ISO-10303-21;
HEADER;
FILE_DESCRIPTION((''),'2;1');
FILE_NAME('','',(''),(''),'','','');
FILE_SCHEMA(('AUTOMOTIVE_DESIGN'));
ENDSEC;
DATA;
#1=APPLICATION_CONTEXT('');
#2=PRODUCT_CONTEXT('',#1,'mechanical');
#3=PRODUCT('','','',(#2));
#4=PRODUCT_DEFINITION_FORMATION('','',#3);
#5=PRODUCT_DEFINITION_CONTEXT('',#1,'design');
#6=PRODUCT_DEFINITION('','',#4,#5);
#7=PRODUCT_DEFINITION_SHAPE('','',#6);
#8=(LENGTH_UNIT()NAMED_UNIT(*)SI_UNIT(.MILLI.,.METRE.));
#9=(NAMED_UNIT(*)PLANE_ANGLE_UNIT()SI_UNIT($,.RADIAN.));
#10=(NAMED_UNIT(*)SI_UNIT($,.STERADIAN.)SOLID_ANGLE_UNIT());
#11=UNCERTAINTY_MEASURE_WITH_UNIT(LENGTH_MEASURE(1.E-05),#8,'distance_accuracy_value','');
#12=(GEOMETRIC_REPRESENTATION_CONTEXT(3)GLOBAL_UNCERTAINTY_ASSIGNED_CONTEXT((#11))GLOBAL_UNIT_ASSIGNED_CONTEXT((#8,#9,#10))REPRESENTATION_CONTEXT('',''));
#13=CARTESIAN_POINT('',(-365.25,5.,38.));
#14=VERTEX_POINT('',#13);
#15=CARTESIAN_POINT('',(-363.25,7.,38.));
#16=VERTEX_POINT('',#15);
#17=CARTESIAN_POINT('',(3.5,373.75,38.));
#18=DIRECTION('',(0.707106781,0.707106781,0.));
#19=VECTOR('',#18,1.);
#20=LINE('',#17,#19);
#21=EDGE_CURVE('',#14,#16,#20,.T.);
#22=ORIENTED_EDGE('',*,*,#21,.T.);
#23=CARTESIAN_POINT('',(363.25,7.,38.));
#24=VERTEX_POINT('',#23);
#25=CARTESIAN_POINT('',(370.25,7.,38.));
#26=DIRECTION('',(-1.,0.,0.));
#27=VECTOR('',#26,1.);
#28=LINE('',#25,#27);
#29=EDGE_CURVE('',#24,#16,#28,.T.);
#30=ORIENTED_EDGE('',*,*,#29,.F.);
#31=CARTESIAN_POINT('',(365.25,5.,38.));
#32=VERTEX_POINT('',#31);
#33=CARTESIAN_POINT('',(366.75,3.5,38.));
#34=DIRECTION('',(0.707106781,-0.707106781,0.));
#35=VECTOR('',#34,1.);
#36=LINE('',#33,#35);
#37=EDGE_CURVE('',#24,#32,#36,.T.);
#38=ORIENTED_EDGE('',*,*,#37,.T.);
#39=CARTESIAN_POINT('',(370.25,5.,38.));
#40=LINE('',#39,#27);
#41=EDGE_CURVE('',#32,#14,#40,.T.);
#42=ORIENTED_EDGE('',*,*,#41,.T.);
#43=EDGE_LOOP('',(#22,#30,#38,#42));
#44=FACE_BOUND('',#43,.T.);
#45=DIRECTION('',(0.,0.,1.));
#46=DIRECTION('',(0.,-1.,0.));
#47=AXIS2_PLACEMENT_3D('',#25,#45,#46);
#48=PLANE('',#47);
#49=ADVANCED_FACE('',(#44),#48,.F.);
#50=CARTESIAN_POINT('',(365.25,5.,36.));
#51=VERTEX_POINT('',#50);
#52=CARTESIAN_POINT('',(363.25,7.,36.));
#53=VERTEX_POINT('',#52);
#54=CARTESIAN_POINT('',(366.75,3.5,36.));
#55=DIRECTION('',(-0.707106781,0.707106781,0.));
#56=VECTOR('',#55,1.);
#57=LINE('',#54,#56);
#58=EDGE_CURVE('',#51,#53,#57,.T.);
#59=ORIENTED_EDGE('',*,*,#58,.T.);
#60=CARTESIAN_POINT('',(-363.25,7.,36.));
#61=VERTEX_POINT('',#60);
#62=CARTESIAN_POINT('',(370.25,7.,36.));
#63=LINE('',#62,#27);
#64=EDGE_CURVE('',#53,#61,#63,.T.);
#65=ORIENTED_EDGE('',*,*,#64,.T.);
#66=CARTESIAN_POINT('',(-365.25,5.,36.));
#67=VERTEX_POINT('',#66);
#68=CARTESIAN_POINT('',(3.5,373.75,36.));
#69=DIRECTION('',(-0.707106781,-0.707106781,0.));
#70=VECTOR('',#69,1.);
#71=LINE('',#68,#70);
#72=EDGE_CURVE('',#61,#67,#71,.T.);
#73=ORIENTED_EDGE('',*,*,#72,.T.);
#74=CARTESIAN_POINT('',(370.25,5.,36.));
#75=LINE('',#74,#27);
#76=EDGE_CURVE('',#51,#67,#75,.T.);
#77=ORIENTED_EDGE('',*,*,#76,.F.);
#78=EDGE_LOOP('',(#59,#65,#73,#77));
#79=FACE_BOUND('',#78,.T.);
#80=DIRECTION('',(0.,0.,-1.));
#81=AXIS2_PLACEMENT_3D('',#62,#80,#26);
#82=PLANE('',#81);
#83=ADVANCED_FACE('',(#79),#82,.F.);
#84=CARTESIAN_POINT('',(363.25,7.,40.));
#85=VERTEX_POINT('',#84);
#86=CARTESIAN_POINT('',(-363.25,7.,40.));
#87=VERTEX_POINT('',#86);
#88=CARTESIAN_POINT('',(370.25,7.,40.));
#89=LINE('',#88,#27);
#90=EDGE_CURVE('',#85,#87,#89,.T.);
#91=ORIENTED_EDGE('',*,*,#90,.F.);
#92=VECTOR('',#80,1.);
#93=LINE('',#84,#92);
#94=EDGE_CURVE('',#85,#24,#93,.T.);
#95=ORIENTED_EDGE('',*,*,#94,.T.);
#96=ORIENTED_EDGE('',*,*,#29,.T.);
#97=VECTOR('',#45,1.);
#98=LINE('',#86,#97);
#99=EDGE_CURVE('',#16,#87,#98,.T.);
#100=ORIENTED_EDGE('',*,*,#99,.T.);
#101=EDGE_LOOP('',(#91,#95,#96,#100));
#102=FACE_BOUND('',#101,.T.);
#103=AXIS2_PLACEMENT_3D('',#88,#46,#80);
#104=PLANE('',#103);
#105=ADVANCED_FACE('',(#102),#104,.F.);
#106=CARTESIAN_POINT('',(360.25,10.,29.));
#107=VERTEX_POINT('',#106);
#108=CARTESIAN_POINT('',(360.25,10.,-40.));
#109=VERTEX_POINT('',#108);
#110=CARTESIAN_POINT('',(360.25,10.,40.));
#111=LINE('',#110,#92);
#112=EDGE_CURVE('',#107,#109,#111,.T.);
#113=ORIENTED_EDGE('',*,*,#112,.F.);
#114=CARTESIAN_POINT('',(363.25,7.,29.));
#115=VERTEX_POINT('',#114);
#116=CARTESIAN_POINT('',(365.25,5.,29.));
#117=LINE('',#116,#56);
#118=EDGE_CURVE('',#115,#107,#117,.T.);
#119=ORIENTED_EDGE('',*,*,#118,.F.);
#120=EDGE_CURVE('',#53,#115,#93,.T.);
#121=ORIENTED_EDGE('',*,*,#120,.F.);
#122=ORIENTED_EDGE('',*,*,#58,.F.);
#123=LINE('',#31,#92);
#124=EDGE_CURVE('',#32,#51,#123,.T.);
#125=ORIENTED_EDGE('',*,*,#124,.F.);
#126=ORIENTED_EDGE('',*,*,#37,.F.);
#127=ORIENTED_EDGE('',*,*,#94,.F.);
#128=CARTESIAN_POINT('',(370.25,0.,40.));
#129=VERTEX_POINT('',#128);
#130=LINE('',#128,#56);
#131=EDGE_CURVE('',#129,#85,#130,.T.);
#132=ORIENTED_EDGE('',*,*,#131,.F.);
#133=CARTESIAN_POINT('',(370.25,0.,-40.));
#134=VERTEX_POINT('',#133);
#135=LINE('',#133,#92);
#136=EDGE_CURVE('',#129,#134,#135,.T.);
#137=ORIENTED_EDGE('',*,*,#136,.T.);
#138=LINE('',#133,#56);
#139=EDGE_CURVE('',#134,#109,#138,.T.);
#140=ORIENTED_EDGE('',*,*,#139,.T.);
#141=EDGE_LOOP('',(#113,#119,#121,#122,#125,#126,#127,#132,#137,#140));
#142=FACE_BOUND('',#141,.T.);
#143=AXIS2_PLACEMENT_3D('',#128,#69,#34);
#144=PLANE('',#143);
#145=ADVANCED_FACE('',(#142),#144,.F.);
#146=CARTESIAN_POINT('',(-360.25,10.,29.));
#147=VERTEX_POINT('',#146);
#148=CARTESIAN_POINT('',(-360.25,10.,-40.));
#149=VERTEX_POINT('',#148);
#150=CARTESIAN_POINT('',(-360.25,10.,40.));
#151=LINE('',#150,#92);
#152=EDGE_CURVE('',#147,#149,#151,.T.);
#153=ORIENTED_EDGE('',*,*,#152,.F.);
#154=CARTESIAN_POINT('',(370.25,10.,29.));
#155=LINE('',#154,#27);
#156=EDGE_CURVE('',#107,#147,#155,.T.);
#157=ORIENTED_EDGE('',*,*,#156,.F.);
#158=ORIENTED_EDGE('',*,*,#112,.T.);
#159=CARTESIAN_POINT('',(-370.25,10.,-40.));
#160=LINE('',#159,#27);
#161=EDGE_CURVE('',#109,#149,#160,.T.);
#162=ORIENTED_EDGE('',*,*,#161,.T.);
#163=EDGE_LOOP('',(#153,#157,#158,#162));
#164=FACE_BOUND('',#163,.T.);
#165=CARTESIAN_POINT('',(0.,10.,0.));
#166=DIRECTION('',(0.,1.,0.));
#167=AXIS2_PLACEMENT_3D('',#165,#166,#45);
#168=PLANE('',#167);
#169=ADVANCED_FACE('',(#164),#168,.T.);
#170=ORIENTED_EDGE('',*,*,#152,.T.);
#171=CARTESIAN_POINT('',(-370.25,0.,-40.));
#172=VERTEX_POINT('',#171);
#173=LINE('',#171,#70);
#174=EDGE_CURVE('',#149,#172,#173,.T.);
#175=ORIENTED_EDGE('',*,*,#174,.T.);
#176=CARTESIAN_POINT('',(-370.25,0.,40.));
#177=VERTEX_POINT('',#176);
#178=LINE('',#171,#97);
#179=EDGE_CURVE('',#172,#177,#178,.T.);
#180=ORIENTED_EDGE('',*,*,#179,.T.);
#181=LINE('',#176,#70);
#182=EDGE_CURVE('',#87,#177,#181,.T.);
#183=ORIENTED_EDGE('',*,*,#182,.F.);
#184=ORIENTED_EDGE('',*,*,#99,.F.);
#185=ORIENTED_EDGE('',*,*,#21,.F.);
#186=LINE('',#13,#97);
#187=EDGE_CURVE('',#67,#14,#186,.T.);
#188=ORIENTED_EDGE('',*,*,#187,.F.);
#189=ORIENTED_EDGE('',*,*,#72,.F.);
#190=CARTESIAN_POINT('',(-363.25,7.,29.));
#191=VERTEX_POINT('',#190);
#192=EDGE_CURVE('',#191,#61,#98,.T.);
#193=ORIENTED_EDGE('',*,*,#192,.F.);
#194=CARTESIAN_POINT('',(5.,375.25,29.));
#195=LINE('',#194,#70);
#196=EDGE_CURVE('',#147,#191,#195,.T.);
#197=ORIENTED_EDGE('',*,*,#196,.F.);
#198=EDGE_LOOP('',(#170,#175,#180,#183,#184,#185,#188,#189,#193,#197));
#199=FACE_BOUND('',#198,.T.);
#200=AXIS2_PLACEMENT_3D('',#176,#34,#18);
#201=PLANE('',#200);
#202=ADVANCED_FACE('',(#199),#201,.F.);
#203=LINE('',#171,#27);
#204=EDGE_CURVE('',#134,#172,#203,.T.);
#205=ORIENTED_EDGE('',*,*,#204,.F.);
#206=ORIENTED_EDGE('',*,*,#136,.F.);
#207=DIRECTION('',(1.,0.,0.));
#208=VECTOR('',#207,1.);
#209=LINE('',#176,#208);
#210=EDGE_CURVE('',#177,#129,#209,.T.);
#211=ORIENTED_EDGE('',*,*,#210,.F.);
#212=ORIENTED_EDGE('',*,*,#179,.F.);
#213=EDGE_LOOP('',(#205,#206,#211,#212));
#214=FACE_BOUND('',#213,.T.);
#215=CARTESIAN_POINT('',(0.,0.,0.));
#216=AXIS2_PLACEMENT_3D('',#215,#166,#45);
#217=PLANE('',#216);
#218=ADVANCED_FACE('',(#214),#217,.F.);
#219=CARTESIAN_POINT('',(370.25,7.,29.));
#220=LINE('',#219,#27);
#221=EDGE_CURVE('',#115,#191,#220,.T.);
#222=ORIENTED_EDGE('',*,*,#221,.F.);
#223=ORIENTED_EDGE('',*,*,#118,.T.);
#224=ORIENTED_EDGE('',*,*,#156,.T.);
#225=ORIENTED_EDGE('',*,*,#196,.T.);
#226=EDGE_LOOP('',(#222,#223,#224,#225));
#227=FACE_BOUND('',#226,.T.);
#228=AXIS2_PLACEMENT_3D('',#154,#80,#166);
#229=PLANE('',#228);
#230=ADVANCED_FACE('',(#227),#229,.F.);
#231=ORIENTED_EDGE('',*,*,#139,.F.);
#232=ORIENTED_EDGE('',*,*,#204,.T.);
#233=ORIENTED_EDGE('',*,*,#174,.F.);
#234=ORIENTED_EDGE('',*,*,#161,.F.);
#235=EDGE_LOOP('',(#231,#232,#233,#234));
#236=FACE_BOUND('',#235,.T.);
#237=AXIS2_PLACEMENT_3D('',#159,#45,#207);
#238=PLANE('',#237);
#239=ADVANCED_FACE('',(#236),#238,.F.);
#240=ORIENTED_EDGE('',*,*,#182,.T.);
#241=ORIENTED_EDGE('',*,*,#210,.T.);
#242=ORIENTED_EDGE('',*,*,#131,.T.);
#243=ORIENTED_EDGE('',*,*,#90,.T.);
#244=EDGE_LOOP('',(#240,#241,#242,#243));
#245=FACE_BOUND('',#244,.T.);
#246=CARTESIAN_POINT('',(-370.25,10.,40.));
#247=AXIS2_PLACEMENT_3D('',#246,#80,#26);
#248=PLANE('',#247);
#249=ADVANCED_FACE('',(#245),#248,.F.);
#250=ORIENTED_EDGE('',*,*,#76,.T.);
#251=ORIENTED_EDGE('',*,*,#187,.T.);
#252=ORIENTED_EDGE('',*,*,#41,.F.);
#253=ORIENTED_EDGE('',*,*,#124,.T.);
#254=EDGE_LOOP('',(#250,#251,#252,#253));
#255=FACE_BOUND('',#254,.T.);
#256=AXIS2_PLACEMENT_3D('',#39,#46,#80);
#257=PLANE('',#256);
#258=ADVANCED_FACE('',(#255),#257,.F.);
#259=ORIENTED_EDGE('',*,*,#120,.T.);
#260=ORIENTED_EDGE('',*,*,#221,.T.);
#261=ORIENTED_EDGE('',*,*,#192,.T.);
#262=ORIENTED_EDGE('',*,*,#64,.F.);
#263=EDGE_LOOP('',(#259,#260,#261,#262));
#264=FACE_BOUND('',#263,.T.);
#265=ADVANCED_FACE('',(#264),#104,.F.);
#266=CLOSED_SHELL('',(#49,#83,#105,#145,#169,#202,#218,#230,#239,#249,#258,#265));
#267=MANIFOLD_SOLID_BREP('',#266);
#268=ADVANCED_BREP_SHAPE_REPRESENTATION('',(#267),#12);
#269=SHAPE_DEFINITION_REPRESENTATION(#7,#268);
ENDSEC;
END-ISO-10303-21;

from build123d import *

# Parameters (mm, degrees)
SKETCH1_W           = 740.5
SKETCH1_H           = 80
BOSS_EXTRUDE1_DEPTH = 10
SKETCH2_W           = 11
SKETCH2_H           = 3
CUT_EXTRUDE1_DEPTH  = 741.5
SKETCH3_W           = 2
SKETCH3_H           = 2
CUT_EXTRUDE2_DEPTH  = 741.5
CUT_EXTRUDE4_DEPTH  = 81


with BuildPart() as part:
    # Sketch1 → Boss-Extrude1 (new body)
    with BuildSketch(Plane(origin=(0, 0, 0), x_dir=(1, 0, 0), z_dir=(0, 1, 0))):
        Rectangle(SKETCH1_W, SKETCH1_H)
    extrude(amount=BOSS_EXTRUDE1_DEPTH)

    # Sketch2 → Cut-Extrude1 (cut, through all)
    with BuildSketch(Plane.ZY.offset(370.25)):
        with Locations((34.5, 8.5)):
            Rectangle(SKETCH2_W, SKETCH2_H)
    extrude(amount=-CUT_EXTRUDE1_DEPTH, mode=Mode.SUBTRACT)

    # Sketch3 → Cut-Extrude2 (cut, through all)
    with BuildSketch(Plane.ZY.offset(370.25)):
        with Locations((37, 6)):
            Rectangle(SKETCH3_W, SKETCH3_H)
    extrude(amount=-CUT_EXTRUDE2_DEPTH, mode=Mode.SUBTRACT)

    # Sketch4 → Cut-Extrude4 (cut, through all)
    with BuildSketch(Plane(origin=(0, 0, -40), x_dir=(-1, 0, 0), z_dir=(0, 0, -1))):
        Polygon((-370.25, 0), (-360.25, 10), (-370.25, 10), align=None)
        Polygon((370.25, 10), (370.25, 0), (360.25, 10), align=None)
    extrude(amount=-CUT_EXTRUDE4_DEPTH, mode=Mode.SUBTRACT)


solid = part.part
